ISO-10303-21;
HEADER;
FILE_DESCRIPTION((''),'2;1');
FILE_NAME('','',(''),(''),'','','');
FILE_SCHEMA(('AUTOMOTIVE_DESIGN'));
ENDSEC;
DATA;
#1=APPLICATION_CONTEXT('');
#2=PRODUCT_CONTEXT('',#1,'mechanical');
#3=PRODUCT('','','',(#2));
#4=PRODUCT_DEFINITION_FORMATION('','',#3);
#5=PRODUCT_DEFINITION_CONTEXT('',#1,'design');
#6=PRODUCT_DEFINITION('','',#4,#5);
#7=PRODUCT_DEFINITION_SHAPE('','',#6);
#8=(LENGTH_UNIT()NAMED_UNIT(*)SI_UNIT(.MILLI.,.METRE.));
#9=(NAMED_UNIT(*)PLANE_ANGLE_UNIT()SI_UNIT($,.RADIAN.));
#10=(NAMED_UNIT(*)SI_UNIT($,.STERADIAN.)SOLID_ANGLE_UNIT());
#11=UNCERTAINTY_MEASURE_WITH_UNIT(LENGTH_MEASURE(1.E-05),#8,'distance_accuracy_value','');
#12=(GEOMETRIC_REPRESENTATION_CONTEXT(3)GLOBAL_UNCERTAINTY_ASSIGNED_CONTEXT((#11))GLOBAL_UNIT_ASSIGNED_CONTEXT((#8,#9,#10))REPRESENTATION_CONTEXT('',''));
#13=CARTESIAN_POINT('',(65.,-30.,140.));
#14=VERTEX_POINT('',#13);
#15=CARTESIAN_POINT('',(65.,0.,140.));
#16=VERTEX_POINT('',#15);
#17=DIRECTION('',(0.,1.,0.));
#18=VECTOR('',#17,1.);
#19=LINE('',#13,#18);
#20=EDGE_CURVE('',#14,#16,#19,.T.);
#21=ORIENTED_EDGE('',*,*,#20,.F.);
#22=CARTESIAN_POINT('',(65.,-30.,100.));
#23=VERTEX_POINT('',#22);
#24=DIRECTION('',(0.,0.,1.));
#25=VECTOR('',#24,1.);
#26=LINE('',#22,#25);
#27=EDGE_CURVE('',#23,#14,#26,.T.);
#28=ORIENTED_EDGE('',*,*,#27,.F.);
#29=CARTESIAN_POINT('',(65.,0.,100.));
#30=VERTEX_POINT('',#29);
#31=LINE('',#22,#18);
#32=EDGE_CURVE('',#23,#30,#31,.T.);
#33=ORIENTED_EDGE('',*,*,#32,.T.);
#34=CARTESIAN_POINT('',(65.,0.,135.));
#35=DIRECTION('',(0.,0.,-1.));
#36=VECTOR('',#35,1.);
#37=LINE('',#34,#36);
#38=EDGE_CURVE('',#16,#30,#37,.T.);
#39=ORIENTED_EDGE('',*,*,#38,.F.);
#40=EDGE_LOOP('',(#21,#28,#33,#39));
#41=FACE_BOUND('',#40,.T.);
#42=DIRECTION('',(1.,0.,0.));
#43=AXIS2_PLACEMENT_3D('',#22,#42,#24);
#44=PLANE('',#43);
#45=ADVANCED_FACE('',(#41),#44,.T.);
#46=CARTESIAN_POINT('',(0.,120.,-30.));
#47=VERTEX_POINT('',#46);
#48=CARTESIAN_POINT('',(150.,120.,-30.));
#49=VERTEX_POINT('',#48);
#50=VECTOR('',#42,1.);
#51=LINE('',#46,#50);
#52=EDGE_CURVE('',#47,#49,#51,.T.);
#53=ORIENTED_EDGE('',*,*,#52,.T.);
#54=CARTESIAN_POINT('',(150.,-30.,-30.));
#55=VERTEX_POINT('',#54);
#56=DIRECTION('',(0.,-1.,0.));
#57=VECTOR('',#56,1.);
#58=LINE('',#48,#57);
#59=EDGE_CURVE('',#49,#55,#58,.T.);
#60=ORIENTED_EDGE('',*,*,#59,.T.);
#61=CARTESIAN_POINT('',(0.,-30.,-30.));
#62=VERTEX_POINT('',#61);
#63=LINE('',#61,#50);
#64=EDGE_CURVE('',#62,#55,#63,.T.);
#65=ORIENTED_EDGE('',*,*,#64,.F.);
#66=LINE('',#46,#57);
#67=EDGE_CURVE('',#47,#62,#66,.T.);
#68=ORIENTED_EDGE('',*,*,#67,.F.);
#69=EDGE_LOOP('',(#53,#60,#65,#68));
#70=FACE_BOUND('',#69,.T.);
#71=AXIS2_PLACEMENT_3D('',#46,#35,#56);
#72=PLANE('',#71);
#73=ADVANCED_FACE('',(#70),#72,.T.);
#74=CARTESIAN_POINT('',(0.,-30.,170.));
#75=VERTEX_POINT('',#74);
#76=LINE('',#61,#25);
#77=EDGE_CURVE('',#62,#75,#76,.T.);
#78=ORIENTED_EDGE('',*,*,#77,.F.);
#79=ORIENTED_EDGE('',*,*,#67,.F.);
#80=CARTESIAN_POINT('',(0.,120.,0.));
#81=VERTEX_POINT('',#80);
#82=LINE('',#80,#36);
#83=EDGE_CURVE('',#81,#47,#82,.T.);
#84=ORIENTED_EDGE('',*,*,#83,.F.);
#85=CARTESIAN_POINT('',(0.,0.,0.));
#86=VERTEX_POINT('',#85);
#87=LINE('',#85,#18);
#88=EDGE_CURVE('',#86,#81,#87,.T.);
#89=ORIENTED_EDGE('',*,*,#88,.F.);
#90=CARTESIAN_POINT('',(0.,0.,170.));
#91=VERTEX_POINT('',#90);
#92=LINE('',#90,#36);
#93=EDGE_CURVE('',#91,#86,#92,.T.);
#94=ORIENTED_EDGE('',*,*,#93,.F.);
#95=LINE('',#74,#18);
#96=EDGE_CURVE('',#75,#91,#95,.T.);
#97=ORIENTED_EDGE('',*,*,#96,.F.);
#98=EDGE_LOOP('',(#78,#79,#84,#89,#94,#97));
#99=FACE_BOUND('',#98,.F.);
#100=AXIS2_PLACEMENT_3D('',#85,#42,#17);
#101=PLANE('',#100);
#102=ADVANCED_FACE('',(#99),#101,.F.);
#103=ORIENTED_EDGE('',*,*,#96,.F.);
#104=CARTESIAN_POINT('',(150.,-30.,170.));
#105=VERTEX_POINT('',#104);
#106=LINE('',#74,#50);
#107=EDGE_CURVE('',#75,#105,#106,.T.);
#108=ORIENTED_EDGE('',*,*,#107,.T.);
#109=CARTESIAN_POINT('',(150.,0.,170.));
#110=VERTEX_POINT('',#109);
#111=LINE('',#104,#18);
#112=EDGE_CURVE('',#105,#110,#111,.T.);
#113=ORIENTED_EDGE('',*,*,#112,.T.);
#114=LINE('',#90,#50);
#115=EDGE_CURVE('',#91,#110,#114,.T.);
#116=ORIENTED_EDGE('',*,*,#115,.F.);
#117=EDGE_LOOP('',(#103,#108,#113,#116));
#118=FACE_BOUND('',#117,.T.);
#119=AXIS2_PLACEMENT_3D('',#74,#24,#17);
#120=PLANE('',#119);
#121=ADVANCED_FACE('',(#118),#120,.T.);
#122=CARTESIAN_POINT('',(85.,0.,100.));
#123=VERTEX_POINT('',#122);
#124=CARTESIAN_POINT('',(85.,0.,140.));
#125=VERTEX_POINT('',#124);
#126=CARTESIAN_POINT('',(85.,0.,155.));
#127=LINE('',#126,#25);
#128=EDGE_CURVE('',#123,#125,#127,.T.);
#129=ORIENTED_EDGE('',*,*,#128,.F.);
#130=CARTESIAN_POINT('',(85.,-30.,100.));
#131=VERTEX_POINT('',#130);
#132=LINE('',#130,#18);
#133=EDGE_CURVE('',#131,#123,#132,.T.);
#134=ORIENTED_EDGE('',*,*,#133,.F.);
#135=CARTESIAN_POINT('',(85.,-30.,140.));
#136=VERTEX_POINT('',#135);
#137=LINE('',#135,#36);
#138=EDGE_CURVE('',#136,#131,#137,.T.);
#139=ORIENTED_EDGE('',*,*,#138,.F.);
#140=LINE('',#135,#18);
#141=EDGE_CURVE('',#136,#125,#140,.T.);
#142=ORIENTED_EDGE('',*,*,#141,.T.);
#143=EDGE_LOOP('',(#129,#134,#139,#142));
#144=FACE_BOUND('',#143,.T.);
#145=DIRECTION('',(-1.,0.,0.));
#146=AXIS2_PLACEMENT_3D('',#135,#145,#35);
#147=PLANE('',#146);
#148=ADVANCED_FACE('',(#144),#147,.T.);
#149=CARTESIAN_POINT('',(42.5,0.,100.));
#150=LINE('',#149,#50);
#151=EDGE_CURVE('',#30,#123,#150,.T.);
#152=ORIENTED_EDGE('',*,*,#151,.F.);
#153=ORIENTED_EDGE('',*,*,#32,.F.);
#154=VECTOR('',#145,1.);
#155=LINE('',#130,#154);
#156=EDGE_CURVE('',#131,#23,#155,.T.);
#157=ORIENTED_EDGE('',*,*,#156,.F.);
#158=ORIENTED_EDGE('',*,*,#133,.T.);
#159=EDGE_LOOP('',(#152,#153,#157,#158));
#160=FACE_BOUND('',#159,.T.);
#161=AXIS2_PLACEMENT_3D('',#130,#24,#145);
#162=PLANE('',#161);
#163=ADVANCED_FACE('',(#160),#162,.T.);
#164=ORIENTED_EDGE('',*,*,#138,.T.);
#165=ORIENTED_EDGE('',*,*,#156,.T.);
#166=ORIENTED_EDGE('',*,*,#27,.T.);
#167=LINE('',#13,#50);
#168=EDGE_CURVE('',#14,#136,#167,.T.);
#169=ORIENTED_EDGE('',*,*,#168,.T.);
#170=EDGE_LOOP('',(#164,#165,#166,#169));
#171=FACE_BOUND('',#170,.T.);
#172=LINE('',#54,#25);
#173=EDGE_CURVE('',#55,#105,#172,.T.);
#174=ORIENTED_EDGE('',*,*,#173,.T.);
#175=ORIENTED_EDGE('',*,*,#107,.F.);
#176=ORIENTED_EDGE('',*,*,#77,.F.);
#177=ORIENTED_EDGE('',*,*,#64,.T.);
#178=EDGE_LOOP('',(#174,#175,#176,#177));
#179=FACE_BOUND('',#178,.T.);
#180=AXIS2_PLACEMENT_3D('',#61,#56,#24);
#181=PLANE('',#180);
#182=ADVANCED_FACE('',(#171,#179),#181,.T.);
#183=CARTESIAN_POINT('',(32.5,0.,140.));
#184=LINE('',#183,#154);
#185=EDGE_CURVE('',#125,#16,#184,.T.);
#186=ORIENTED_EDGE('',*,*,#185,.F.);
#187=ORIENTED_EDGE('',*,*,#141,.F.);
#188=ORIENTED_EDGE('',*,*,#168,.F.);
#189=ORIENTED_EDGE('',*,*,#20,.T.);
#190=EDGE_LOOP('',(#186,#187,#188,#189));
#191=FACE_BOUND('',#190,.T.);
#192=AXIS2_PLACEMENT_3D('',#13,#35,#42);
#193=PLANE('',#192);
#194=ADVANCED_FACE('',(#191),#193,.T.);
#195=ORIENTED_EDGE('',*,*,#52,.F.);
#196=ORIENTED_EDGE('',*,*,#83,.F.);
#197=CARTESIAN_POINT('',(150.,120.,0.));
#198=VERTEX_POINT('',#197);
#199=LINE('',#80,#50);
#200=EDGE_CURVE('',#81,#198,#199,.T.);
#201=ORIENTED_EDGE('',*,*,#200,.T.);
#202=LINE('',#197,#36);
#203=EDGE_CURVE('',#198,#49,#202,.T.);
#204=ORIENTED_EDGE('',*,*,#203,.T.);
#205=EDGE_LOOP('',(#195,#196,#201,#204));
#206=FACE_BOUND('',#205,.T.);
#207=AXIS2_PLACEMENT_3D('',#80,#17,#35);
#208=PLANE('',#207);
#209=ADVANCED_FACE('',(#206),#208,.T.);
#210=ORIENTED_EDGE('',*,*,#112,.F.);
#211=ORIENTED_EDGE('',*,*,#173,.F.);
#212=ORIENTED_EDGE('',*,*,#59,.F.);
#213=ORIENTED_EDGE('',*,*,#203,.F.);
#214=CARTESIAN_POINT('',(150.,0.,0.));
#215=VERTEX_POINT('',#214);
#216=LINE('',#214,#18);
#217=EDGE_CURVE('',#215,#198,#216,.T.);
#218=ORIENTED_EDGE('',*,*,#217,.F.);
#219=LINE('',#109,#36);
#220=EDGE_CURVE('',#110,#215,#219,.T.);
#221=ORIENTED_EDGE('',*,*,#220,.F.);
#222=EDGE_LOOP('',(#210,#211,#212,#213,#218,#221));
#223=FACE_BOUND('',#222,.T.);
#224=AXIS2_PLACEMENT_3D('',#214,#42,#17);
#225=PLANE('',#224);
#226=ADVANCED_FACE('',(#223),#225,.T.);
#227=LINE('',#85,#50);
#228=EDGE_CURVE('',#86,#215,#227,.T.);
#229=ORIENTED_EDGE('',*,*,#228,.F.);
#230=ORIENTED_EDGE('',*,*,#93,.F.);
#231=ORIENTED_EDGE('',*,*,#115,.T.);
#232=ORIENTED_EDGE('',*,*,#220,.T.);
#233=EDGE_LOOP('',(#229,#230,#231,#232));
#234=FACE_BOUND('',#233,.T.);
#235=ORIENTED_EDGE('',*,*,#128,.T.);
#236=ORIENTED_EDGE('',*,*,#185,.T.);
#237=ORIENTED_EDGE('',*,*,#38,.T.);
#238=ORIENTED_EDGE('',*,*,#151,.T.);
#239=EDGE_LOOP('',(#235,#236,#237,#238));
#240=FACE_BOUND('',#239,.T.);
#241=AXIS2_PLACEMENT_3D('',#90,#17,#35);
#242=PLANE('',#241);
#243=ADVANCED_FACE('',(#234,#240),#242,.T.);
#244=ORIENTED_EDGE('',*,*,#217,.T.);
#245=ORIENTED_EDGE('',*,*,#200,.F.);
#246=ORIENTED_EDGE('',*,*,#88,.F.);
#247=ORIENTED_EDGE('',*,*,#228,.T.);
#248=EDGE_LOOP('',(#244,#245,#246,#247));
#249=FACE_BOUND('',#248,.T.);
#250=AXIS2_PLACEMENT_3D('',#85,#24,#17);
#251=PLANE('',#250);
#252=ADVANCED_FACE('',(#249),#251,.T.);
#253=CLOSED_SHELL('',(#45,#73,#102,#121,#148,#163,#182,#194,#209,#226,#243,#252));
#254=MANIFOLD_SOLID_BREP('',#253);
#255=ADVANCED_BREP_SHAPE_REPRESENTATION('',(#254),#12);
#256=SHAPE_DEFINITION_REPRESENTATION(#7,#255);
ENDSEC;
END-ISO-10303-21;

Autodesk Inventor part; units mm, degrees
ref_plane "YZ Plane" through (0, 0, 0) normal (1, 0, 0) x (0, 1, 0)
ref_plane "XZ Plane" through (0, 0, 0) normal (0, 1, 0) x (-1, 0, 0)
ref_plane "XY Plane" through (0, 0, 0) normal (0, 0, 1) x (1, 0, 0)
sketch "Skizze2" plane through (0, 0, 0) normal (1, 0, 0) x (0, 1, 0)
  line L0 (0, 0) -> (120, 0)
  line L1 (120, 0) -> (120, -30)
  line L2 (120, -30) -> (-30, -30)
  line L3 (-30, -30) -> (-30, 170)
  line L4 (-30, 170) -> (0, 170)
  line L5 (0, 170) -> (0, 0)
  dimension "d0" = 30
  dimension "d1" = 30
  dimension "d2" = 200
  dimension "d3" = 150
extrude "Extrusion1" add sketch "Skizze2" along normal blind 150
sketch "Skizze3" plane through (0, -30, -30) normal (0, -1, 0) x (1, 0, 0)
  line L0 (65, 170) -> (85, 170)
  line L1 (85, 170) -> (85, 130)
  line L2 (85, 130) -> (65, 130)
  line L3 (65, 130) -> (65, 170)
  line L4 (150, 200) -> (150, 0) projected
  line L5 (0, 200) -> (0, 0) projected
  line L6 (0, 200) -> (150, 200) projected
  point P0 (0, 30)
  dimension "d6" = 150
  dimension "d7" = 20
  dimension "d8" = 40
  dimension "d9" = 65
  dimension "d10" = 30
extrude "Extrusion2" cut sketch "Skizze3" against normal through all
equation "\"d1\" = d0"
equation "\"d9\" = -0.5 * d7 + 0.5 * d6"
properties part number "Staender"
